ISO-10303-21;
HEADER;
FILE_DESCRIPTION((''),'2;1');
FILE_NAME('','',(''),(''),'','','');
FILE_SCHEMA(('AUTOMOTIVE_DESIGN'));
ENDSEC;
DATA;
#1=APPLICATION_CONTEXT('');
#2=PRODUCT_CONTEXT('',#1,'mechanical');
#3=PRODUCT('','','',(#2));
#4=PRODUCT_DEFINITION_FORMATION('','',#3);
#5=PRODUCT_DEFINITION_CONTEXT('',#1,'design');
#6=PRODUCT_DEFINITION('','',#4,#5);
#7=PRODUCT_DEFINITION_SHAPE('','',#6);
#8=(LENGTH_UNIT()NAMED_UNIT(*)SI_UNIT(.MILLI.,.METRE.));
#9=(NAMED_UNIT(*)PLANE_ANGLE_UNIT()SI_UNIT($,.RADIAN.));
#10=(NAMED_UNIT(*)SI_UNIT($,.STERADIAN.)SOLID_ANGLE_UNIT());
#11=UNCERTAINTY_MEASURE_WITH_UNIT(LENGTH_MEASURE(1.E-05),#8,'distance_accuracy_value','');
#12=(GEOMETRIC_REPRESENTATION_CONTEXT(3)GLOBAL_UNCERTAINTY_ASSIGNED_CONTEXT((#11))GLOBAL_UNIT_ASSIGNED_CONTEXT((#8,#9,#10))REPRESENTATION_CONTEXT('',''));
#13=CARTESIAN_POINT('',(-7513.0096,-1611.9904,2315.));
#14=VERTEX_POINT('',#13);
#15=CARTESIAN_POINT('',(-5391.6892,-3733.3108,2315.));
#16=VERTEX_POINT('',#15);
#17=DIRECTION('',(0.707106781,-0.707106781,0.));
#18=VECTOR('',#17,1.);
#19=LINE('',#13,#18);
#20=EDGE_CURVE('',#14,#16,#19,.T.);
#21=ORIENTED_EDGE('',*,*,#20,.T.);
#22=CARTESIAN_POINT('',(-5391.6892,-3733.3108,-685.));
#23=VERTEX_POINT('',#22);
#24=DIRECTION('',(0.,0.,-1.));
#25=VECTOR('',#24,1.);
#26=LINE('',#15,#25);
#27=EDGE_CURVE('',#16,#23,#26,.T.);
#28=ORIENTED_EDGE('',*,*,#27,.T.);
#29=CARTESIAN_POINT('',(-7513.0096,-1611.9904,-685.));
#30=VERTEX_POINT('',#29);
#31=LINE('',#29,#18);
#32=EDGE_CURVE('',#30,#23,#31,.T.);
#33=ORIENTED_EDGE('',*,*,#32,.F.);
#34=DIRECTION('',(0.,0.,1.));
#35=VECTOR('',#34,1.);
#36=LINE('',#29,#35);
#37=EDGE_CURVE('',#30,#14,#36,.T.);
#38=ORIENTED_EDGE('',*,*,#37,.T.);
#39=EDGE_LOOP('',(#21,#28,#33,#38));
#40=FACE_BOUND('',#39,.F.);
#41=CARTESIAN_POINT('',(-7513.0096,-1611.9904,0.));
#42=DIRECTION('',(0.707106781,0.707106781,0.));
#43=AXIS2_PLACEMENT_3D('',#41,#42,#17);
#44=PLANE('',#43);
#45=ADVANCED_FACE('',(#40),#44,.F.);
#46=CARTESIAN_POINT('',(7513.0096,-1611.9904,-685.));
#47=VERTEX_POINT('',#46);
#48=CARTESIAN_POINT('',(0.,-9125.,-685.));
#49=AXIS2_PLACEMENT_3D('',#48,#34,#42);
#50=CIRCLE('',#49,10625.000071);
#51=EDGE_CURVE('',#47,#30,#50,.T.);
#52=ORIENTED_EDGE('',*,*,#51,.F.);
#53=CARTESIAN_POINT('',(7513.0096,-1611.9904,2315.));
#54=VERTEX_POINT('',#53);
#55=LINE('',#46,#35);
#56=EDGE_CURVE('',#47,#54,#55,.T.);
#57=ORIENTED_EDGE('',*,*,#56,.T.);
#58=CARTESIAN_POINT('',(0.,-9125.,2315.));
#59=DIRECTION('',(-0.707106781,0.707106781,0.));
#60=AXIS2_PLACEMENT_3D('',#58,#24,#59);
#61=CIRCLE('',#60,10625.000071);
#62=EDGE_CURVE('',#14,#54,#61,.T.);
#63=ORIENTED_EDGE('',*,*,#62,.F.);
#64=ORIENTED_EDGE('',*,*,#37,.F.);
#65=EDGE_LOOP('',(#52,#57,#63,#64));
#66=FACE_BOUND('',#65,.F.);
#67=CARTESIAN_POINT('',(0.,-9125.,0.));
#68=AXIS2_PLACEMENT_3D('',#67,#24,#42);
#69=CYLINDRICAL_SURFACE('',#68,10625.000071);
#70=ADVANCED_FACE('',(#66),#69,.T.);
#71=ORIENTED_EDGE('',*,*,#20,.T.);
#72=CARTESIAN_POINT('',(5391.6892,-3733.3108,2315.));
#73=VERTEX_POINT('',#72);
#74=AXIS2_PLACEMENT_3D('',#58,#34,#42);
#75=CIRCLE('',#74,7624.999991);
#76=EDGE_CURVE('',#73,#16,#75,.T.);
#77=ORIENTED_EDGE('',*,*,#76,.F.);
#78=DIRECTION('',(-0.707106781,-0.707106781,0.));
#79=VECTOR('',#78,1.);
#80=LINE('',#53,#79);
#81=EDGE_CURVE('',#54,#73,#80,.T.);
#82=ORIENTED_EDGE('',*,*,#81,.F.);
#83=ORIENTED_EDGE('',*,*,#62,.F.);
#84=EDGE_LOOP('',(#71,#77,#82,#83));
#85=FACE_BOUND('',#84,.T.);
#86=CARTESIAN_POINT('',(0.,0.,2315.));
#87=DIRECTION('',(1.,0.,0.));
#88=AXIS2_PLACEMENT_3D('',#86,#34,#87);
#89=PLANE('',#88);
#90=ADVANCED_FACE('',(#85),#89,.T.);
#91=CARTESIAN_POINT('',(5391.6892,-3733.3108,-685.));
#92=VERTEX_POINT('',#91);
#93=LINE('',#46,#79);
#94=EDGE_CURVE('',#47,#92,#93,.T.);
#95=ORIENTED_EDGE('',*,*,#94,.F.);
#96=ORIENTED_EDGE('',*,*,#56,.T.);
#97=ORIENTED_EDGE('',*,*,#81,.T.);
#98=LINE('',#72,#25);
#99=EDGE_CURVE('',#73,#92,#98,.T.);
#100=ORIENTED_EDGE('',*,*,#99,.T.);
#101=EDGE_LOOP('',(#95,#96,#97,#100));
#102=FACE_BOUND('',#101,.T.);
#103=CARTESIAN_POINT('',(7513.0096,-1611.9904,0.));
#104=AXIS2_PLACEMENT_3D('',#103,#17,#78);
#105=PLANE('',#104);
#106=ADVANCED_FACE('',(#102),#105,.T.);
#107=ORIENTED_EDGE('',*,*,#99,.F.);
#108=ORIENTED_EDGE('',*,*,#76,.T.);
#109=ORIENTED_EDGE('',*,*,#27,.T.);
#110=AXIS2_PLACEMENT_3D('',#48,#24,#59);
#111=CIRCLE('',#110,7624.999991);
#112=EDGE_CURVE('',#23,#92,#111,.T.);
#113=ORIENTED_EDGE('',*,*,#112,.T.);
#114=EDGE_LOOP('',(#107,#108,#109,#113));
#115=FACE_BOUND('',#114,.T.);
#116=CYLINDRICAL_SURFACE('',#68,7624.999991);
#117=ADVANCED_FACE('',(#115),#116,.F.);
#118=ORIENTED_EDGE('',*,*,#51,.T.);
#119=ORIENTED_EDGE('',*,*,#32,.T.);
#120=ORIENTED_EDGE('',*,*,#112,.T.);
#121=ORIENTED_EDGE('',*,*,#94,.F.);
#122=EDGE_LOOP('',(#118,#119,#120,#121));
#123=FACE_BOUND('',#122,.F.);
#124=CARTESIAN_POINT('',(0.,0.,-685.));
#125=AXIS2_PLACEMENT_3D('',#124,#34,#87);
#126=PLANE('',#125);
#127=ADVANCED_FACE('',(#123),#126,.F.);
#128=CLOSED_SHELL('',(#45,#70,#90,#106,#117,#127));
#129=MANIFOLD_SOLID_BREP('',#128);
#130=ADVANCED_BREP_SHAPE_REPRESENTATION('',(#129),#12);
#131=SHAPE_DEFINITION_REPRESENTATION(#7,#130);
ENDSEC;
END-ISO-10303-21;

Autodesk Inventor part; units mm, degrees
ref_plane "YZ Plane" through (0, 0, 0) normal (1, 0, 0) x (0, 1, 0)
ref_plane "XZ Plane" through (0, 0, 0) normal (0, 1, 0) x (-1, 0, 0)
ref_plane "XY Plane" through (0, 0, 0) normal (0, 0, 1) x (1, 0, 0)
sketch "スケッチ1" plane through (0, 0, 0) normal (0, 0, 1) x (1, 0, 0)
  arc A0 (7513.0096, -1611.9904) -> (-7513.0096, -1611.9904) centre (0, -9125) ccw
  arc A1 (5391.6892, -3733.3108) -> (-5391.6892, -3733.3108) centre (0, -9125) ccw
  line L0 (0, -11250) -> (0, 3625) projected
  line L1 (0, 1500) -> (0, -1500)
  line L2 (-7513.0096, -1611.9904) -> (-5391.6892, -3733.3108)
  line L3 (7513.0096, -1611.9904) -> (5391.6892, -3733.3108)
  point P0 (0, 0)
  dimension "d0" = 3000
  dimension "d1" = 7625
  dimension "d2" = 90
extrude "押し出し1" add sketch "スケッチ1" along normal blind 2315 and the other way blind 685
properties part number "air_skidpad"
